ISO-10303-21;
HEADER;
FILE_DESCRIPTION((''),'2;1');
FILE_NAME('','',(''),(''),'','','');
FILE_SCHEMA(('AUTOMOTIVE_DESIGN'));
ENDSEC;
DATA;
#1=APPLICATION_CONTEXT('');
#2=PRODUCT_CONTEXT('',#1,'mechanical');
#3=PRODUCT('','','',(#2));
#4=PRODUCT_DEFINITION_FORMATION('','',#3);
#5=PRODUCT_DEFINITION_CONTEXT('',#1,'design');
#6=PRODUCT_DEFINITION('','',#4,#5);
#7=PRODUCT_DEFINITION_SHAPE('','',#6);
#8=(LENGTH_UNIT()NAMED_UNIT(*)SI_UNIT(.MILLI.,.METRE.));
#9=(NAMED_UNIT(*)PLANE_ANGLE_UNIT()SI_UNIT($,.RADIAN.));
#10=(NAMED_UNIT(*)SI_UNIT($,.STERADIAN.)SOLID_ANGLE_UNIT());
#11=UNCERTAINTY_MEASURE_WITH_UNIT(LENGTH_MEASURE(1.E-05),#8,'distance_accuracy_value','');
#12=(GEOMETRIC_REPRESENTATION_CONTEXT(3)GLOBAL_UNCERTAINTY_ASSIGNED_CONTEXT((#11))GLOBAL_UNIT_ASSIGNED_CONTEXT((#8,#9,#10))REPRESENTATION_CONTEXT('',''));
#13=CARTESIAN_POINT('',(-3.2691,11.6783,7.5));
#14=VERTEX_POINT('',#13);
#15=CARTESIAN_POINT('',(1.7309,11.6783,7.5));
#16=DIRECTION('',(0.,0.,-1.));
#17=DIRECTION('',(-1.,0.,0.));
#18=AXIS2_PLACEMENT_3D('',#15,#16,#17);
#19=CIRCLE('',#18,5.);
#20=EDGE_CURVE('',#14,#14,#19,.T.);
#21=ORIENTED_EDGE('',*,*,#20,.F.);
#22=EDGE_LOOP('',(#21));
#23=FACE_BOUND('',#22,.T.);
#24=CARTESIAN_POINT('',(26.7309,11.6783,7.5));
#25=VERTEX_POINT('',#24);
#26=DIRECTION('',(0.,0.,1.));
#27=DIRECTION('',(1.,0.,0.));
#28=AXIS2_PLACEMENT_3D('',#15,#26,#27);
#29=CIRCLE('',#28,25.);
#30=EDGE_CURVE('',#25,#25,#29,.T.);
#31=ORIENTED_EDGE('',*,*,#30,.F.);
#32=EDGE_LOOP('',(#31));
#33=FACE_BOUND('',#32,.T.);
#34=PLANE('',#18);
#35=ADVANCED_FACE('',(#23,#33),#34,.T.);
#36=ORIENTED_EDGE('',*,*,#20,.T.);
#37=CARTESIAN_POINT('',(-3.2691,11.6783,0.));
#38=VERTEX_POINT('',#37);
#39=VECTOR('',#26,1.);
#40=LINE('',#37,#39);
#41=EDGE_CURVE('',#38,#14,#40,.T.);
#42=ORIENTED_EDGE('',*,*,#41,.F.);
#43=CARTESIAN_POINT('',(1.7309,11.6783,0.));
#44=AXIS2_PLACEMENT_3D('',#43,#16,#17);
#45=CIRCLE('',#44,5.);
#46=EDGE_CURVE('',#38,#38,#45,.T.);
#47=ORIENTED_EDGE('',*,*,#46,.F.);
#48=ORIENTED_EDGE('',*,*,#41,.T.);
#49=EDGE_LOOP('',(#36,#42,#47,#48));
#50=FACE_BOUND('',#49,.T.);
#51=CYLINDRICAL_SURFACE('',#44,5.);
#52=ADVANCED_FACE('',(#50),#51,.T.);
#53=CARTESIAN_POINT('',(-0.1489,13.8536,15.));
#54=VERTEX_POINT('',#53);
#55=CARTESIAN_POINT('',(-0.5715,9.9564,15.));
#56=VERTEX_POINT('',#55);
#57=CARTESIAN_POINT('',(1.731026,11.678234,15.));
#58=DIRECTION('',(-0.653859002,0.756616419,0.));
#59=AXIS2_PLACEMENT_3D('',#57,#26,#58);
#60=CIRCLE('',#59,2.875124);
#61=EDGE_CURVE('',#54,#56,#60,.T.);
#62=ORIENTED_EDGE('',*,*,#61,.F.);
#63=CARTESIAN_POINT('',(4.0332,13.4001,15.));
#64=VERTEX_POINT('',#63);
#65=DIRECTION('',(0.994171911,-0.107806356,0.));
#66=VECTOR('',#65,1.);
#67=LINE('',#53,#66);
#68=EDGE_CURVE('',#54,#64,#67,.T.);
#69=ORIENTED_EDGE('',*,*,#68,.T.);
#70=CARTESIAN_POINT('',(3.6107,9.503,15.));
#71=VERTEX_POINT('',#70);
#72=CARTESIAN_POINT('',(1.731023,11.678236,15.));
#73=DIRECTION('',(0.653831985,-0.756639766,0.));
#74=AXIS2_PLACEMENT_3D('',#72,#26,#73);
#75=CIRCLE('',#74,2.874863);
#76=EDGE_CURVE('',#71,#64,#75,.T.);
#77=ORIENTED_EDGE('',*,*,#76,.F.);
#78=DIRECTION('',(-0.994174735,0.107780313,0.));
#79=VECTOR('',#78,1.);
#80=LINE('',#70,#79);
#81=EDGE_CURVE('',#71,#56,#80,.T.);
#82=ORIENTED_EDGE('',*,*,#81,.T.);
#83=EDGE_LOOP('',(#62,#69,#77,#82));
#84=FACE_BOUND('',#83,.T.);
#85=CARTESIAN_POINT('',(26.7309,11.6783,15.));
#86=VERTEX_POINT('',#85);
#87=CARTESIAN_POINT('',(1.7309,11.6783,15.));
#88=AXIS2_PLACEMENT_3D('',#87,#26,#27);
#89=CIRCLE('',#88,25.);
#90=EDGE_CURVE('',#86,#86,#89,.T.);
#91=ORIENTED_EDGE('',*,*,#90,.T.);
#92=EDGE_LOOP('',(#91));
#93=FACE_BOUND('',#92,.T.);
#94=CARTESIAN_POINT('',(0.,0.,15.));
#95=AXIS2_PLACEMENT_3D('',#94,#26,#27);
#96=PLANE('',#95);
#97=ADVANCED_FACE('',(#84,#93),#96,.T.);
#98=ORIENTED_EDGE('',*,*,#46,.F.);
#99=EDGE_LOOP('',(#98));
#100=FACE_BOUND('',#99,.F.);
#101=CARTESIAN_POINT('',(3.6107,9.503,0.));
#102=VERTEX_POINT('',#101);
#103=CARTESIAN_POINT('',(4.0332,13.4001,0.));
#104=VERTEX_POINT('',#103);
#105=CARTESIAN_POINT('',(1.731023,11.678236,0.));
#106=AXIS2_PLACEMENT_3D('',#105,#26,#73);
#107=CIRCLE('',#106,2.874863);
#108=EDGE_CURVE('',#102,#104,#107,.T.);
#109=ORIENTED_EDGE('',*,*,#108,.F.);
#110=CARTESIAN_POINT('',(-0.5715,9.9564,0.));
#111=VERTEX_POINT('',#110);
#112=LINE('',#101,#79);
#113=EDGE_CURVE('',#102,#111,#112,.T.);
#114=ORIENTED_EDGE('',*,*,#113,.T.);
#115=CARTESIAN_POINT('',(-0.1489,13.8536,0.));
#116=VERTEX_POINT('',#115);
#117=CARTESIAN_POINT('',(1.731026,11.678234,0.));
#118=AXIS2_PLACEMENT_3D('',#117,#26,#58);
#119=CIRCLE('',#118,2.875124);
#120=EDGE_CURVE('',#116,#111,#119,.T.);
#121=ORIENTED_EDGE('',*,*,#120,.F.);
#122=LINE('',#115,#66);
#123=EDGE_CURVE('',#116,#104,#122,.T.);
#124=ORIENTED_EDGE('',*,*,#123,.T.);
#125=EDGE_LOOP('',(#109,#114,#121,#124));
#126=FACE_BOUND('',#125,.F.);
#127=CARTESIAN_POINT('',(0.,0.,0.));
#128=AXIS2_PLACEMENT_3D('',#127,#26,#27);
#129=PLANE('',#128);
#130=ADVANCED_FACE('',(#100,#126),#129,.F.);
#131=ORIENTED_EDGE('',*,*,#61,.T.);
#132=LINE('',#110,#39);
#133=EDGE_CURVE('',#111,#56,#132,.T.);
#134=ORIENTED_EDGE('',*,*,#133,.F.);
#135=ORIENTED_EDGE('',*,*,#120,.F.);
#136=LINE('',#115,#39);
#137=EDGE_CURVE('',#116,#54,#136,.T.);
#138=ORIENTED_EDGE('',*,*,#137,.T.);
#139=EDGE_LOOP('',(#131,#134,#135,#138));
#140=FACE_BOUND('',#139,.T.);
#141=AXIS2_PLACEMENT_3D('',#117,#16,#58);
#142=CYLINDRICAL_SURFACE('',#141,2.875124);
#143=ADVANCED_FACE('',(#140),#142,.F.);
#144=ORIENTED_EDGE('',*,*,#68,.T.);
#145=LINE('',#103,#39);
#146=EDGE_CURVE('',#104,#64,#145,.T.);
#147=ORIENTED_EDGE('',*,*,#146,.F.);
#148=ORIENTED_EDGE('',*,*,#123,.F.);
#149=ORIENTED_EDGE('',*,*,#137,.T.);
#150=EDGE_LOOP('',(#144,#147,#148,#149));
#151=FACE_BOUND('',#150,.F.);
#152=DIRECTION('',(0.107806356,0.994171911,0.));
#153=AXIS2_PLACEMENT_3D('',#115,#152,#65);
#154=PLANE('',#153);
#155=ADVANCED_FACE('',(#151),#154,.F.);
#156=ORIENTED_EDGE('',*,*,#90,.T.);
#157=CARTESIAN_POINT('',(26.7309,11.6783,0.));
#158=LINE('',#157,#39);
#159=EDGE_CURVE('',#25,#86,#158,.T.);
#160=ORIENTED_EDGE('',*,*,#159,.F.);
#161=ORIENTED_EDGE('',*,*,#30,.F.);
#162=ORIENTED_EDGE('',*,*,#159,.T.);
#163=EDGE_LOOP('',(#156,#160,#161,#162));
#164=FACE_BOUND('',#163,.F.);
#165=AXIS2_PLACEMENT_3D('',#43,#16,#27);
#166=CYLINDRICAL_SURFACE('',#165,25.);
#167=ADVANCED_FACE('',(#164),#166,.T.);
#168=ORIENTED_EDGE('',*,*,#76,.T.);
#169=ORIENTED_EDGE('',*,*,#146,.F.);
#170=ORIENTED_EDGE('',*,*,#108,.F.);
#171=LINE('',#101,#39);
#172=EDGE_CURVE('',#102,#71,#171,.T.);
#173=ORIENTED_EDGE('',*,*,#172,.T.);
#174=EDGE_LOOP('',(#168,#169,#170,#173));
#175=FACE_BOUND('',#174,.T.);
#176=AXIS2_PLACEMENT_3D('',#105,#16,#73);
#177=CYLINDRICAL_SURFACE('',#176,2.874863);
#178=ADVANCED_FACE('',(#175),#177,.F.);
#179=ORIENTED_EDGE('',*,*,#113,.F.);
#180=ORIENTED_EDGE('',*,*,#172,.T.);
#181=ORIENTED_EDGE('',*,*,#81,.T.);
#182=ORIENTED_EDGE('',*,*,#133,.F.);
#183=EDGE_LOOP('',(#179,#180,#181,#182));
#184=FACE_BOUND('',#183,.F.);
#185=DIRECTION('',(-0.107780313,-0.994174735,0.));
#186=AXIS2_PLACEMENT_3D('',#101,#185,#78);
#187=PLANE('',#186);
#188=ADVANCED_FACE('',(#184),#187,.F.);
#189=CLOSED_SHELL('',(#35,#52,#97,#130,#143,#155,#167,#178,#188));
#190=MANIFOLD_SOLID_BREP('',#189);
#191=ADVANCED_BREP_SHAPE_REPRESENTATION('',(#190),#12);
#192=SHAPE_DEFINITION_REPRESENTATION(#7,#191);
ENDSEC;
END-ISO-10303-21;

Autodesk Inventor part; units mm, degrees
ref_plane "YZ Plane" through (0, 0, 0) normal (1, 0, 0) x (0, 1, 0)
ref_plane "XZ Plane" through (0, 0, 0) normal (0, 1, 0) x (-1, 0, 0)
ref_plane "XY Plane" through (0, 0, 0) normal (0, 0, 1) x (1, 0, 0)
sketch "Sketch1" plane through (0, 0, 0) normal (0, 0, 1) x (1, 0, 0)
  arc A0 (3.5439, 9.7114) -> (3.9233, 13.2109) centre (1.7309, 11.6783) ccw projected
  line L0 (3.9233, 13.2109) -> (-0.0821, 13.6452) projected
  arc A1 (-0.0821, 13.6452) -> (-0.4616, 10.1457) centre (1.7309, 11.6783) ccw projected
  line L1 (-0.4616, 10.1457) -> (3.5439, 9.7114) projected
  circle A2 centre (1.7309, 11.6783) radius 1.04 projected
  circle A3 centre (1.7309, 11.6783) radius 25
  line L2 (-0.1489, 13.8536) -> (4.0332, 13.4001)
  arc A4 (3.6107, 9.503) -> (4.0332, 13.4001) centre (1.7309, 11.6783) ccw
  line L3 (3.6107, 9.503) -> (-0.5715, 9.9564)
  arc A5 (-0.1489, 13.8536) -> (-0.5715, 9.9564) centre (1.7309, 11.6783) ccw
  point P0 (0, 0)
  dimension "d0" = 50
  dimension "d1" = 0.2
extrude "Extrusion1" add sketch "Sketch1" along normal blind 15 contours A3
sketch "Sketch2" plane through (1.7309, 11.6783, 0) normal (0, 0, -1) x (-1, 0, 0)
  arc A0 (-2.3024, 1.7218) -> (-1.8798, -2.1753) centre (0, 0) ccw projected
  circle A1 centre (0, 0) radius 25 projected
  line L0 (-1.8798, -2.1753) -> (2.3024, -1.7218) projected
  arc A2 (-2.3024, 1.7218) -> (-1.8798, -2.1753) centre (0, 0) ccw projected
  line L1 (1.8798, 2.1753) -> (-2.3024, 1.7218) projected
  arc A3 (2.3024, -1.7218) -> (1.8798, 2.1753) centre (0, 0) ccw projected
  circle A4 centre (0, 0) radius 5
  circle A5 centre (0, 0) radius 25
  point P0 (1.7309, -11.6783)
  dimension "d4" = 10
extrude "Extrusion2" cut sketch "Sketch2" against normal blind 7.5 contours A1
properties part number "Wheel"
